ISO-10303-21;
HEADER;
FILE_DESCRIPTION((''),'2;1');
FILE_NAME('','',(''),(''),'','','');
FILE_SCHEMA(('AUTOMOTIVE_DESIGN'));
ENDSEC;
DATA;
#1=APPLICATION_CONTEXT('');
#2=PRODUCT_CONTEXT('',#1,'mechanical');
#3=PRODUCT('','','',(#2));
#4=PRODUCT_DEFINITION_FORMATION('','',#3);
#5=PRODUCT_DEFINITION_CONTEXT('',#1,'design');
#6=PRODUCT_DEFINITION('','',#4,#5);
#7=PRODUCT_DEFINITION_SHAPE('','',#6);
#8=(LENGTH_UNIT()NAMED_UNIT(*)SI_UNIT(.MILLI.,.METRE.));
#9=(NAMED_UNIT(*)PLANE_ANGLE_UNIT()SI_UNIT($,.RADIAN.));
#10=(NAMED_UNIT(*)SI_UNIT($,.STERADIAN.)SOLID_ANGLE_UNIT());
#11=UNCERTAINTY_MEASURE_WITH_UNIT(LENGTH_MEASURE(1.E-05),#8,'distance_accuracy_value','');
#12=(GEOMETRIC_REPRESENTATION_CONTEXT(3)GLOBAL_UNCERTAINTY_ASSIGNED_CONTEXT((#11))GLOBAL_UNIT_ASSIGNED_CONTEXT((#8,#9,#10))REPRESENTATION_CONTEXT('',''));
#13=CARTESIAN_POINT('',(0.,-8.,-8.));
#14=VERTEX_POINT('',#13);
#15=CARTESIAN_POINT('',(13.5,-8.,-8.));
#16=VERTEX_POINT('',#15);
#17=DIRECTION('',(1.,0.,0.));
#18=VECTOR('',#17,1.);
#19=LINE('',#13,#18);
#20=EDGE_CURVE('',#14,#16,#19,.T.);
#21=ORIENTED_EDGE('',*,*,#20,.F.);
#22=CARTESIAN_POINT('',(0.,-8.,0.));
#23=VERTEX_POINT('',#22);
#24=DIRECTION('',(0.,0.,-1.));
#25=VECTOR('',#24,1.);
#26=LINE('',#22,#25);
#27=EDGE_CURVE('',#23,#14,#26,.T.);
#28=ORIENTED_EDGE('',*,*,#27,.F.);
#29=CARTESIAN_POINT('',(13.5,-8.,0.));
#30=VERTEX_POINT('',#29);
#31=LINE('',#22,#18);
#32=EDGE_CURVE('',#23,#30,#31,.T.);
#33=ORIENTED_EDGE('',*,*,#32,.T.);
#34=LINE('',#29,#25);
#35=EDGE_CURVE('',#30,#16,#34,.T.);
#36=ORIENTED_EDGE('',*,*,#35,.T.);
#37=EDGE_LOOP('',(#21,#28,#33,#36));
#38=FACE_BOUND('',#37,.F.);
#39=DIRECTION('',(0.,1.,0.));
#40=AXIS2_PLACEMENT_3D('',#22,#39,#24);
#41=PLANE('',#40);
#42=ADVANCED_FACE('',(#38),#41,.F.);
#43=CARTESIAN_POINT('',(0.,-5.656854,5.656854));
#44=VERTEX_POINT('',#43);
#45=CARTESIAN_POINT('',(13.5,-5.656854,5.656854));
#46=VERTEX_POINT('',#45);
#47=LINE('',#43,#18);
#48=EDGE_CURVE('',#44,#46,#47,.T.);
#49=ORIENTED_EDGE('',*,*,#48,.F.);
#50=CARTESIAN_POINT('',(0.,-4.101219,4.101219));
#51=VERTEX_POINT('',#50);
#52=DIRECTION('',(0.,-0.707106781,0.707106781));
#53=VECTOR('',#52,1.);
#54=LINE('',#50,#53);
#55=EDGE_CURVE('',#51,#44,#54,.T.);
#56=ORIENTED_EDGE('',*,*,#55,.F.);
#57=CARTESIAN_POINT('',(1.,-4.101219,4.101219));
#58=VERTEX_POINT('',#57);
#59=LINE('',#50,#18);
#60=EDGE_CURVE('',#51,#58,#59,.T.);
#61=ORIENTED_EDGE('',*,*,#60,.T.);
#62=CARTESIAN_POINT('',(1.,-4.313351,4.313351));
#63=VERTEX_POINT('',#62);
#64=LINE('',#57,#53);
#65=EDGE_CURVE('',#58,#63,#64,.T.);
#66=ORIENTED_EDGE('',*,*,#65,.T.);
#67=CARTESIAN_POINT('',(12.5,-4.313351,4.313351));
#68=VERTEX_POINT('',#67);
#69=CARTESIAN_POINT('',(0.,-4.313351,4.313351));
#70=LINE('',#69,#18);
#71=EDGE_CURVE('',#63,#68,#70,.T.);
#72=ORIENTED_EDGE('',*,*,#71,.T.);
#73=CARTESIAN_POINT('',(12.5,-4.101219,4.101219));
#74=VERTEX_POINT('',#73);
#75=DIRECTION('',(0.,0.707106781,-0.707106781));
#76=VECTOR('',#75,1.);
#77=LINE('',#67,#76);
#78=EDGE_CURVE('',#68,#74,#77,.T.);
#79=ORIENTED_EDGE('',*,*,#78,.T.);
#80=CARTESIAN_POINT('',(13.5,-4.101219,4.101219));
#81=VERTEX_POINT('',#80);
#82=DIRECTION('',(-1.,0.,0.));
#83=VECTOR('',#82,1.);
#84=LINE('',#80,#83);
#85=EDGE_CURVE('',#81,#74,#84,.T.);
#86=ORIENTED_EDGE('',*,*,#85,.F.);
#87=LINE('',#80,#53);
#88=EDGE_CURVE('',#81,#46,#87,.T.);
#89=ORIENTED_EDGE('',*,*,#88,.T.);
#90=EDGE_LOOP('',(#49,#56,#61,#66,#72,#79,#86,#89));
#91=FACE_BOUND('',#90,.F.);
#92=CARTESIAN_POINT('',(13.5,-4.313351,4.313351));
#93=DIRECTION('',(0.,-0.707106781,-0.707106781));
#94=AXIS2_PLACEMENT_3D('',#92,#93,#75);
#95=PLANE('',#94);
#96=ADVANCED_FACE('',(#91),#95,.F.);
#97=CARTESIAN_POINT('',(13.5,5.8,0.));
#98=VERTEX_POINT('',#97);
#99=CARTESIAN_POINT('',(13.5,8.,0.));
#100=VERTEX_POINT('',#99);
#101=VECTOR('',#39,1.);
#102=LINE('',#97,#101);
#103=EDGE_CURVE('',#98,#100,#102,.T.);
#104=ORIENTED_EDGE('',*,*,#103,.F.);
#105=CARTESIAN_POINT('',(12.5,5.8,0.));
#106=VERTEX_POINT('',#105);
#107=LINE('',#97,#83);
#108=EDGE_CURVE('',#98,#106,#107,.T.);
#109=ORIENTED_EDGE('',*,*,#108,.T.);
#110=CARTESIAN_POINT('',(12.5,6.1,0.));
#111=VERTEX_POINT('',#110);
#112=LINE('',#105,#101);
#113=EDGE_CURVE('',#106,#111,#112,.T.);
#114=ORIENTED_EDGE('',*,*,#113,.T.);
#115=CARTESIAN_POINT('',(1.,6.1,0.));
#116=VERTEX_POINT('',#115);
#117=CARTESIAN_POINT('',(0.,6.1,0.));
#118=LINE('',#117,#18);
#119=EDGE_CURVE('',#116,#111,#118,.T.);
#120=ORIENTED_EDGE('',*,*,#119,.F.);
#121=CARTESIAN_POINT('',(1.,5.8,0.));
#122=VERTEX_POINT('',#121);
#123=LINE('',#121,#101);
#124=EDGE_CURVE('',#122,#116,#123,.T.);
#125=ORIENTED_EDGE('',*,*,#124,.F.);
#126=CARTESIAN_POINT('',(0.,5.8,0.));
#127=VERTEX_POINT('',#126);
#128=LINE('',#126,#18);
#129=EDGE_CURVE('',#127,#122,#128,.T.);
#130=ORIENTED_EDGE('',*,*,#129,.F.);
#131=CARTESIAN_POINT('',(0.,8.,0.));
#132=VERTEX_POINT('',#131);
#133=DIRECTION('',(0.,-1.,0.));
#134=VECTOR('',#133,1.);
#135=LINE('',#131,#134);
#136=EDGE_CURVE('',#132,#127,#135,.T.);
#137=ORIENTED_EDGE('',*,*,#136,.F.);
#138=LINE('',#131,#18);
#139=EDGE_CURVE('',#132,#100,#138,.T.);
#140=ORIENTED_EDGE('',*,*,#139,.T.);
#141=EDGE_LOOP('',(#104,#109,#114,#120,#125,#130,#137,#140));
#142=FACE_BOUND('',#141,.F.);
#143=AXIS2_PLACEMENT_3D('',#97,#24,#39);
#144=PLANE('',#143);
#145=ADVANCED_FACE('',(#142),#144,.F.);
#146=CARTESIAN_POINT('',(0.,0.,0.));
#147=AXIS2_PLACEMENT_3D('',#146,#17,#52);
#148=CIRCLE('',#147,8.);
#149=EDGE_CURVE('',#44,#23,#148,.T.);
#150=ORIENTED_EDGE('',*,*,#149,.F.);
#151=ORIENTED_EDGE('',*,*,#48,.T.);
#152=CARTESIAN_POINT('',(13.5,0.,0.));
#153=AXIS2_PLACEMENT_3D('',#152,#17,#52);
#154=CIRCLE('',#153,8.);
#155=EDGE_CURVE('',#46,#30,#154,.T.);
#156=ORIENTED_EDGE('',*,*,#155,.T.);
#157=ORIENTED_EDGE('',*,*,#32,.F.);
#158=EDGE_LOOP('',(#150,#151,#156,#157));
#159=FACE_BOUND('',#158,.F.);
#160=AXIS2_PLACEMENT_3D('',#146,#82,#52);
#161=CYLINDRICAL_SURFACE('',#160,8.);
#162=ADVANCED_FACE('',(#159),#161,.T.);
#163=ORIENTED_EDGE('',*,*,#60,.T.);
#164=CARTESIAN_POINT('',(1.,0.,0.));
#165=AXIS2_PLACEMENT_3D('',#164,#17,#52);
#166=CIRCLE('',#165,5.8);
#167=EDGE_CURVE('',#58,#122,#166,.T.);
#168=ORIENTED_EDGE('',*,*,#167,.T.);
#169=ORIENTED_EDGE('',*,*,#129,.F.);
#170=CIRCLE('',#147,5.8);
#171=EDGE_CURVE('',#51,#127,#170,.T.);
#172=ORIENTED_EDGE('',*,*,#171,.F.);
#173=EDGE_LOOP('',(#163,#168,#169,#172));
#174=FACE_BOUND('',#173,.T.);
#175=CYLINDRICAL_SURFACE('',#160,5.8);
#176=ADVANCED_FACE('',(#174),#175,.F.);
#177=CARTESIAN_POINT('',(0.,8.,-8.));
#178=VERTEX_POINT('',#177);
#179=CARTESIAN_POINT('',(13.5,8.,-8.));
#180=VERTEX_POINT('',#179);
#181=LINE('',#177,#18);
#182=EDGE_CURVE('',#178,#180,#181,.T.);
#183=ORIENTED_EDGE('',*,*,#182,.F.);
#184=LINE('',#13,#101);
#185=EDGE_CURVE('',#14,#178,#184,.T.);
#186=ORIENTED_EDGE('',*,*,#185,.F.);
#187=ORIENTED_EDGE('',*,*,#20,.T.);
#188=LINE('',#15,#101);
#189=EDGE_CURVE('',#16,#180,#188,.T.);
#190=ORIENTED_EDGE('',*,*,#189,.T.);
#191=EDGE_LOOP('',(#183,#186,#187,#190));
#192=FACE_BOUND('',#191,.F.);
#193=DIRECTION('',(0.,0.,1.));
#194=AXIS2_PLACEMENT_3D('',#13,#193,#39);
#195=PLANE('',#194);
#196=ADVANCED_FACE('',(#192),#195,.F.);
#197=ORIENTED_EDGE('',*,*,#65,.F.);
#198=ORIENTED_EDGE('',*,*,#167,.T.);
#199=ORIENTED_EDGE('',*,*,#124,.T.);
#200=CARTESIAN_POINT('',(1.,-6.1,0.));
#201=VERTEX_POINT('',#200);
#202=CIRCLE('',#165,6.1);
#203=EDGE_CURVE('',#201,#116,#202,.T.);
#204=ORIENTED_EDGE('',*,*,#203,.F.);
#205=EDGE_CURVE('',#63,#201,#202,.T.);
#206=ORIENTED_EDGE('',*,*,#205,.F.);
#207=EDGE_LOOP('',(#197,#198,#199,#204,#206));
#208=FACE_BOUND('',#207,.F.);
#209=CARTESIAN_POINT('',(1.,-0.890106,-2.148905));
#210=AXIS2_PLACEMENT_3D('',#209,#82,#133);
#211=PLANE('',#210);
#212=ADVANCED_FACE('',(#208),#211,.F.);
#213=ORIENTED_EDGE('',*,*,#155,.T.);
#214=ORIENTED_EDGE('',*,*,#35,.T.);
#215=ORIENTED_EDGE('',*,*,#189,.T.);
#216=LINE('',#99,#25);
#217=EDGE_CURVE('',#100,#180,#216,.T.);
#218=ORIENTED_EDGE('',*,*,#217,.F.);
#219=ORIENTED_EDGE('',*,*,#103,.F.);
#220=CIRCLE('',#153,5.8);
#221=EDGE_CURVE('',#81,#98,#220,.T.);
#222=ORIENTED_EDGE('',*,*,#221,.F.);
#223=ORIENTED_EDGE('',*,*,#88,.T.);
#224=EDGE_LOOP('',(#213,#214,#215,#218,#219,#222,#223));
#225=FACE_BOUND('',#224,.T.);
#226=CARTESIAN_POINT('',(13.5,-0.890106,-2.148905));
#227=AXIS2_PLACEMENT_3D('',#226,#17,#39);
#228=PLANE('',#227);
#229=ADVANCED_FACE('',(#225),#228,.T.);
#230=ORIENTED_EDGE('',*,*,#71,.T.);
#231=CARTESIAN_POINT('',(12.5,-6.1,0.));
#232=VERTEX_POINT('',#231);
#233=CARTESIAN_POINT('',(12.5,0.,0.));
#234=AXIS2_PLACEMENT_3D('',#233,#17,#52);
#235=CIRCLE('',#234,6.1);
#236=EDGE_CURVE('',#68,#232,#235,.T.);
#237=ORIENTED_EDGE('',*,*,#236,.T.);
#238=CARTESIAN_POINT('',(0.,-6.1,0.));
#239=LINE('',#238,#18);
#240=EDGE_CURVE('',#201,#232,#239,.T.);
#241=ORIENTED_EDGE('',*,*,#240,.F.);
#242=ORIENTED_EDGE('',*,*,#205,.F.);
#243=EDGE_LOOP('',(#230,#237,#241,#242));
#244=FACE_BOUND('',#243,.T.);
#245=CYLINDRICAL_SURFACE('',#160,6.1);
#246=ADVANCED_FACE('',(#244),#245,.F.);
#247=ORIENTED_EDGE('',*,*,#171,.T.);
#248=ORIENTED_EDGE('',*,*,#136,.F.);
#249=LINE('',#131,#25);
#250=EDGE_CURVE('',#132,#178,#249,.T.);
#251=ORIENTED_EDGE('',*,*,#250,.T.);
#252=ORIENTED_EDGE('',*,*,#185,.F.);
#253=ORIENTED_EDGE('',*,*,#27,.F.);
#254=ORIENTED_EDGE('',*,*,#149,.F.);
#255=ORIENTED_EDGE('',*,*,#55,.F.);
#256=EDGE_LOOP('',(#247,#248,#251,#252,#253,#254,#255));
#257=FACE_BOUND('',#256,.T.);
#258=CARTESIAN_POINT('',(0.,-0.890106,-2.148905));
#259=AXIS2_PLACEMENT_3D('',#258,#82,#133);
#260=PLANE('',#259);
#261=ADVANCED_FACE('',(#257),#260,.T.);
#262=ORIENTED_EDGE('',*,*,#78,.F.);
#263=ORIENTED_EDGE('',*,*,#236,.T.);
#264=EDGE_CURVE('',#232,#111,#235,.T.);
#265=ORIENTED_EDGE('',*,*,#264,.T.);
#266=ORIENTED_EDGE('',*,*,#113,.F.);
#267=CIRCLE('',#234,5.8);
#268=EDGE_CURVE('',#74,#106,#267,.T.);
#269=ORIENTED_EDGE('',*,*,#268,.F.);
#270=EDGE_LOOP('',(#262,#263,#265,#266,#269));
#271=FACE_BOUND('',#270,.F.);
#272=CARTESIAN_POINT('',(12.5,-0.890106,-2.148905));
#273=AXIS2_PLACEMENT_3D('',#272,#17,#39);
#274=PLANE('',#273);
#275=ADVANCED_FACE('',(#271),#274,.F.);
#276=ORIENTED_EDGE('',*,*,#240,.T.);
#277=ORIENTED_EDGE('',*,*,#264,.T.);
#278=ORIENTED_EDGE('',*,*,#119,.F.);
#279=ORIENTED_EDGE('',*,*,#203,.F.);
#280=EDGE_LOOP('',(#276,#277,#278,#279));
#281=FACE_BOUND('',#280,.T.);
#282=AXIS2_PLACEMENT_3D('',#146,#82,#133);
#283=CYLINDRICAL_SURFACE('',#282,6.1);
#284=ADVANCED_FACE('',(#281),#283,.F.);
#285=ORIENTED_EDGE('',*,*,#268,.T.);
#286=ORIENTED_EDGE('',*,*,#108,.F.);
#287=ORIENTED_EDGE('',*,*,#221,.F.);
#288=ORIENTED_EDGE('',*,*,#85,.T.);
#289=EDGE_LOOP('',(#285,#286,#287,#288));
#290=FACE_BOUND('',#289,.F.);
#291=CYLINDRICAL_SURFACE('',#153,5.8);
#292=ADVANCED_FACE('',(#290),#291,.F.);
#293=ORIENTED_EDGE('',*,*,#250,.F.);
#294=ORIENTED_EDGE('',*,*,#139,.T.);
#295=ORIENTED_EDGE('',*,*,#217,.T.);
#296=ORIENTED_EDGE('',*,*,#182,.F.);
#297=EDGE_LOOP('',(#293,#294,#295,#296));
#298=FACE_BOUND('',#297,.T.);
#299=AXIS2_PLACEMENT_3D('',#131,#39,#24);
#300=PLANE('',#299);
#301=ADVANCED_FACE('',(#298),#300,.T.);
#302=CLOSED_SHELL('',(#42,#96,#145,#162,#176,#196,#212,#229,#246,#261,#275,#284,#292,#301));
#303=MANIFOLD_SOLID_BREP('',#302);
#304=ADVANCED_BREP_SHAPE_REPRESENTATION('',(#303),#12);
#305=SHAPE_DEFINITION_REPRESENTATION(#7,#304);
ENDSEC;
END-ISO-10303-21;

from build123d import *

# Parameters (mm, degrees)
PAD_DEPTH    = 13.5
PAD001_DEPTH = 1
PAD008_DEPTH = 1


with BuildPart() as part:
    # Sketch → Pad (new body)
    with BuildSketch(Plane.YZ):
        with BuildLine():
            Line((-8, 0), (-8, -8))
            Line((-8, -8), (8, -8))
            Line((8, 0), (8, -8))
            Line((8, 0), (6.1, 0))
            ThreePointArc((-6.1, 0), (0, -6.1), (6.1, 0))
            ThreePointArc((-4.3133513652, 4.3133513652), (-5.6356651483, 2.3343689374), (-6.1, 0))
            Line((-5.6568542495, 5.6568542495), (-4.3133513652, 4.3133513652))
            ThreePointArc((-5.6568542495, 5.6568542495), (-7.3910362601, 3.0614674589), (-8, 0))
        make_face()
    extrude(amount=PAD_DEPTH)

    # Sketch001 → Pad001 (join)
    with BuildSketch(Plane.YZ):
        with BuildLine():
            ThreePointArc((-4.1012193309, 4.1012193309), (-2.2195639077, -5.3585012886), (5.8, 0))
            Line((5.8, 0), (6.1, 0))
            ThreePointArc((-4.3133513652, 4.3133513652), (-2.3343689374, -5.6356651483), (6.1, 0))
            Line((-4.1012193309, 4.1012193309), (-4.3133513652, 4.3133513652))
        make_face()
    extrude(amount=PAD001_DEPTH)

    # Sketch013 (on Face5 of Pad001) → Pad008 (join)
    with BuildSketch(Plane.YZ.offset(13.5)):
        with BuildLine():
            ThreePointArc((-4.3133513652, 4.3133513652), (-2.3343689374, -5.6356651483), (6.1, 0))
            Line((5.8, 0), (6.1, 0))
            ThreePointArc((-4.1012193309, 4.1012193309), (-2.2195639077, -5.3585012886), (5.8, 0))
            Line((-4.3133513652, 4.3133513652), (-4.1012193309, 4.1012193309))
        make_face()
    extrude(amount=-PAD008_DEPTH)


solid = part.part
